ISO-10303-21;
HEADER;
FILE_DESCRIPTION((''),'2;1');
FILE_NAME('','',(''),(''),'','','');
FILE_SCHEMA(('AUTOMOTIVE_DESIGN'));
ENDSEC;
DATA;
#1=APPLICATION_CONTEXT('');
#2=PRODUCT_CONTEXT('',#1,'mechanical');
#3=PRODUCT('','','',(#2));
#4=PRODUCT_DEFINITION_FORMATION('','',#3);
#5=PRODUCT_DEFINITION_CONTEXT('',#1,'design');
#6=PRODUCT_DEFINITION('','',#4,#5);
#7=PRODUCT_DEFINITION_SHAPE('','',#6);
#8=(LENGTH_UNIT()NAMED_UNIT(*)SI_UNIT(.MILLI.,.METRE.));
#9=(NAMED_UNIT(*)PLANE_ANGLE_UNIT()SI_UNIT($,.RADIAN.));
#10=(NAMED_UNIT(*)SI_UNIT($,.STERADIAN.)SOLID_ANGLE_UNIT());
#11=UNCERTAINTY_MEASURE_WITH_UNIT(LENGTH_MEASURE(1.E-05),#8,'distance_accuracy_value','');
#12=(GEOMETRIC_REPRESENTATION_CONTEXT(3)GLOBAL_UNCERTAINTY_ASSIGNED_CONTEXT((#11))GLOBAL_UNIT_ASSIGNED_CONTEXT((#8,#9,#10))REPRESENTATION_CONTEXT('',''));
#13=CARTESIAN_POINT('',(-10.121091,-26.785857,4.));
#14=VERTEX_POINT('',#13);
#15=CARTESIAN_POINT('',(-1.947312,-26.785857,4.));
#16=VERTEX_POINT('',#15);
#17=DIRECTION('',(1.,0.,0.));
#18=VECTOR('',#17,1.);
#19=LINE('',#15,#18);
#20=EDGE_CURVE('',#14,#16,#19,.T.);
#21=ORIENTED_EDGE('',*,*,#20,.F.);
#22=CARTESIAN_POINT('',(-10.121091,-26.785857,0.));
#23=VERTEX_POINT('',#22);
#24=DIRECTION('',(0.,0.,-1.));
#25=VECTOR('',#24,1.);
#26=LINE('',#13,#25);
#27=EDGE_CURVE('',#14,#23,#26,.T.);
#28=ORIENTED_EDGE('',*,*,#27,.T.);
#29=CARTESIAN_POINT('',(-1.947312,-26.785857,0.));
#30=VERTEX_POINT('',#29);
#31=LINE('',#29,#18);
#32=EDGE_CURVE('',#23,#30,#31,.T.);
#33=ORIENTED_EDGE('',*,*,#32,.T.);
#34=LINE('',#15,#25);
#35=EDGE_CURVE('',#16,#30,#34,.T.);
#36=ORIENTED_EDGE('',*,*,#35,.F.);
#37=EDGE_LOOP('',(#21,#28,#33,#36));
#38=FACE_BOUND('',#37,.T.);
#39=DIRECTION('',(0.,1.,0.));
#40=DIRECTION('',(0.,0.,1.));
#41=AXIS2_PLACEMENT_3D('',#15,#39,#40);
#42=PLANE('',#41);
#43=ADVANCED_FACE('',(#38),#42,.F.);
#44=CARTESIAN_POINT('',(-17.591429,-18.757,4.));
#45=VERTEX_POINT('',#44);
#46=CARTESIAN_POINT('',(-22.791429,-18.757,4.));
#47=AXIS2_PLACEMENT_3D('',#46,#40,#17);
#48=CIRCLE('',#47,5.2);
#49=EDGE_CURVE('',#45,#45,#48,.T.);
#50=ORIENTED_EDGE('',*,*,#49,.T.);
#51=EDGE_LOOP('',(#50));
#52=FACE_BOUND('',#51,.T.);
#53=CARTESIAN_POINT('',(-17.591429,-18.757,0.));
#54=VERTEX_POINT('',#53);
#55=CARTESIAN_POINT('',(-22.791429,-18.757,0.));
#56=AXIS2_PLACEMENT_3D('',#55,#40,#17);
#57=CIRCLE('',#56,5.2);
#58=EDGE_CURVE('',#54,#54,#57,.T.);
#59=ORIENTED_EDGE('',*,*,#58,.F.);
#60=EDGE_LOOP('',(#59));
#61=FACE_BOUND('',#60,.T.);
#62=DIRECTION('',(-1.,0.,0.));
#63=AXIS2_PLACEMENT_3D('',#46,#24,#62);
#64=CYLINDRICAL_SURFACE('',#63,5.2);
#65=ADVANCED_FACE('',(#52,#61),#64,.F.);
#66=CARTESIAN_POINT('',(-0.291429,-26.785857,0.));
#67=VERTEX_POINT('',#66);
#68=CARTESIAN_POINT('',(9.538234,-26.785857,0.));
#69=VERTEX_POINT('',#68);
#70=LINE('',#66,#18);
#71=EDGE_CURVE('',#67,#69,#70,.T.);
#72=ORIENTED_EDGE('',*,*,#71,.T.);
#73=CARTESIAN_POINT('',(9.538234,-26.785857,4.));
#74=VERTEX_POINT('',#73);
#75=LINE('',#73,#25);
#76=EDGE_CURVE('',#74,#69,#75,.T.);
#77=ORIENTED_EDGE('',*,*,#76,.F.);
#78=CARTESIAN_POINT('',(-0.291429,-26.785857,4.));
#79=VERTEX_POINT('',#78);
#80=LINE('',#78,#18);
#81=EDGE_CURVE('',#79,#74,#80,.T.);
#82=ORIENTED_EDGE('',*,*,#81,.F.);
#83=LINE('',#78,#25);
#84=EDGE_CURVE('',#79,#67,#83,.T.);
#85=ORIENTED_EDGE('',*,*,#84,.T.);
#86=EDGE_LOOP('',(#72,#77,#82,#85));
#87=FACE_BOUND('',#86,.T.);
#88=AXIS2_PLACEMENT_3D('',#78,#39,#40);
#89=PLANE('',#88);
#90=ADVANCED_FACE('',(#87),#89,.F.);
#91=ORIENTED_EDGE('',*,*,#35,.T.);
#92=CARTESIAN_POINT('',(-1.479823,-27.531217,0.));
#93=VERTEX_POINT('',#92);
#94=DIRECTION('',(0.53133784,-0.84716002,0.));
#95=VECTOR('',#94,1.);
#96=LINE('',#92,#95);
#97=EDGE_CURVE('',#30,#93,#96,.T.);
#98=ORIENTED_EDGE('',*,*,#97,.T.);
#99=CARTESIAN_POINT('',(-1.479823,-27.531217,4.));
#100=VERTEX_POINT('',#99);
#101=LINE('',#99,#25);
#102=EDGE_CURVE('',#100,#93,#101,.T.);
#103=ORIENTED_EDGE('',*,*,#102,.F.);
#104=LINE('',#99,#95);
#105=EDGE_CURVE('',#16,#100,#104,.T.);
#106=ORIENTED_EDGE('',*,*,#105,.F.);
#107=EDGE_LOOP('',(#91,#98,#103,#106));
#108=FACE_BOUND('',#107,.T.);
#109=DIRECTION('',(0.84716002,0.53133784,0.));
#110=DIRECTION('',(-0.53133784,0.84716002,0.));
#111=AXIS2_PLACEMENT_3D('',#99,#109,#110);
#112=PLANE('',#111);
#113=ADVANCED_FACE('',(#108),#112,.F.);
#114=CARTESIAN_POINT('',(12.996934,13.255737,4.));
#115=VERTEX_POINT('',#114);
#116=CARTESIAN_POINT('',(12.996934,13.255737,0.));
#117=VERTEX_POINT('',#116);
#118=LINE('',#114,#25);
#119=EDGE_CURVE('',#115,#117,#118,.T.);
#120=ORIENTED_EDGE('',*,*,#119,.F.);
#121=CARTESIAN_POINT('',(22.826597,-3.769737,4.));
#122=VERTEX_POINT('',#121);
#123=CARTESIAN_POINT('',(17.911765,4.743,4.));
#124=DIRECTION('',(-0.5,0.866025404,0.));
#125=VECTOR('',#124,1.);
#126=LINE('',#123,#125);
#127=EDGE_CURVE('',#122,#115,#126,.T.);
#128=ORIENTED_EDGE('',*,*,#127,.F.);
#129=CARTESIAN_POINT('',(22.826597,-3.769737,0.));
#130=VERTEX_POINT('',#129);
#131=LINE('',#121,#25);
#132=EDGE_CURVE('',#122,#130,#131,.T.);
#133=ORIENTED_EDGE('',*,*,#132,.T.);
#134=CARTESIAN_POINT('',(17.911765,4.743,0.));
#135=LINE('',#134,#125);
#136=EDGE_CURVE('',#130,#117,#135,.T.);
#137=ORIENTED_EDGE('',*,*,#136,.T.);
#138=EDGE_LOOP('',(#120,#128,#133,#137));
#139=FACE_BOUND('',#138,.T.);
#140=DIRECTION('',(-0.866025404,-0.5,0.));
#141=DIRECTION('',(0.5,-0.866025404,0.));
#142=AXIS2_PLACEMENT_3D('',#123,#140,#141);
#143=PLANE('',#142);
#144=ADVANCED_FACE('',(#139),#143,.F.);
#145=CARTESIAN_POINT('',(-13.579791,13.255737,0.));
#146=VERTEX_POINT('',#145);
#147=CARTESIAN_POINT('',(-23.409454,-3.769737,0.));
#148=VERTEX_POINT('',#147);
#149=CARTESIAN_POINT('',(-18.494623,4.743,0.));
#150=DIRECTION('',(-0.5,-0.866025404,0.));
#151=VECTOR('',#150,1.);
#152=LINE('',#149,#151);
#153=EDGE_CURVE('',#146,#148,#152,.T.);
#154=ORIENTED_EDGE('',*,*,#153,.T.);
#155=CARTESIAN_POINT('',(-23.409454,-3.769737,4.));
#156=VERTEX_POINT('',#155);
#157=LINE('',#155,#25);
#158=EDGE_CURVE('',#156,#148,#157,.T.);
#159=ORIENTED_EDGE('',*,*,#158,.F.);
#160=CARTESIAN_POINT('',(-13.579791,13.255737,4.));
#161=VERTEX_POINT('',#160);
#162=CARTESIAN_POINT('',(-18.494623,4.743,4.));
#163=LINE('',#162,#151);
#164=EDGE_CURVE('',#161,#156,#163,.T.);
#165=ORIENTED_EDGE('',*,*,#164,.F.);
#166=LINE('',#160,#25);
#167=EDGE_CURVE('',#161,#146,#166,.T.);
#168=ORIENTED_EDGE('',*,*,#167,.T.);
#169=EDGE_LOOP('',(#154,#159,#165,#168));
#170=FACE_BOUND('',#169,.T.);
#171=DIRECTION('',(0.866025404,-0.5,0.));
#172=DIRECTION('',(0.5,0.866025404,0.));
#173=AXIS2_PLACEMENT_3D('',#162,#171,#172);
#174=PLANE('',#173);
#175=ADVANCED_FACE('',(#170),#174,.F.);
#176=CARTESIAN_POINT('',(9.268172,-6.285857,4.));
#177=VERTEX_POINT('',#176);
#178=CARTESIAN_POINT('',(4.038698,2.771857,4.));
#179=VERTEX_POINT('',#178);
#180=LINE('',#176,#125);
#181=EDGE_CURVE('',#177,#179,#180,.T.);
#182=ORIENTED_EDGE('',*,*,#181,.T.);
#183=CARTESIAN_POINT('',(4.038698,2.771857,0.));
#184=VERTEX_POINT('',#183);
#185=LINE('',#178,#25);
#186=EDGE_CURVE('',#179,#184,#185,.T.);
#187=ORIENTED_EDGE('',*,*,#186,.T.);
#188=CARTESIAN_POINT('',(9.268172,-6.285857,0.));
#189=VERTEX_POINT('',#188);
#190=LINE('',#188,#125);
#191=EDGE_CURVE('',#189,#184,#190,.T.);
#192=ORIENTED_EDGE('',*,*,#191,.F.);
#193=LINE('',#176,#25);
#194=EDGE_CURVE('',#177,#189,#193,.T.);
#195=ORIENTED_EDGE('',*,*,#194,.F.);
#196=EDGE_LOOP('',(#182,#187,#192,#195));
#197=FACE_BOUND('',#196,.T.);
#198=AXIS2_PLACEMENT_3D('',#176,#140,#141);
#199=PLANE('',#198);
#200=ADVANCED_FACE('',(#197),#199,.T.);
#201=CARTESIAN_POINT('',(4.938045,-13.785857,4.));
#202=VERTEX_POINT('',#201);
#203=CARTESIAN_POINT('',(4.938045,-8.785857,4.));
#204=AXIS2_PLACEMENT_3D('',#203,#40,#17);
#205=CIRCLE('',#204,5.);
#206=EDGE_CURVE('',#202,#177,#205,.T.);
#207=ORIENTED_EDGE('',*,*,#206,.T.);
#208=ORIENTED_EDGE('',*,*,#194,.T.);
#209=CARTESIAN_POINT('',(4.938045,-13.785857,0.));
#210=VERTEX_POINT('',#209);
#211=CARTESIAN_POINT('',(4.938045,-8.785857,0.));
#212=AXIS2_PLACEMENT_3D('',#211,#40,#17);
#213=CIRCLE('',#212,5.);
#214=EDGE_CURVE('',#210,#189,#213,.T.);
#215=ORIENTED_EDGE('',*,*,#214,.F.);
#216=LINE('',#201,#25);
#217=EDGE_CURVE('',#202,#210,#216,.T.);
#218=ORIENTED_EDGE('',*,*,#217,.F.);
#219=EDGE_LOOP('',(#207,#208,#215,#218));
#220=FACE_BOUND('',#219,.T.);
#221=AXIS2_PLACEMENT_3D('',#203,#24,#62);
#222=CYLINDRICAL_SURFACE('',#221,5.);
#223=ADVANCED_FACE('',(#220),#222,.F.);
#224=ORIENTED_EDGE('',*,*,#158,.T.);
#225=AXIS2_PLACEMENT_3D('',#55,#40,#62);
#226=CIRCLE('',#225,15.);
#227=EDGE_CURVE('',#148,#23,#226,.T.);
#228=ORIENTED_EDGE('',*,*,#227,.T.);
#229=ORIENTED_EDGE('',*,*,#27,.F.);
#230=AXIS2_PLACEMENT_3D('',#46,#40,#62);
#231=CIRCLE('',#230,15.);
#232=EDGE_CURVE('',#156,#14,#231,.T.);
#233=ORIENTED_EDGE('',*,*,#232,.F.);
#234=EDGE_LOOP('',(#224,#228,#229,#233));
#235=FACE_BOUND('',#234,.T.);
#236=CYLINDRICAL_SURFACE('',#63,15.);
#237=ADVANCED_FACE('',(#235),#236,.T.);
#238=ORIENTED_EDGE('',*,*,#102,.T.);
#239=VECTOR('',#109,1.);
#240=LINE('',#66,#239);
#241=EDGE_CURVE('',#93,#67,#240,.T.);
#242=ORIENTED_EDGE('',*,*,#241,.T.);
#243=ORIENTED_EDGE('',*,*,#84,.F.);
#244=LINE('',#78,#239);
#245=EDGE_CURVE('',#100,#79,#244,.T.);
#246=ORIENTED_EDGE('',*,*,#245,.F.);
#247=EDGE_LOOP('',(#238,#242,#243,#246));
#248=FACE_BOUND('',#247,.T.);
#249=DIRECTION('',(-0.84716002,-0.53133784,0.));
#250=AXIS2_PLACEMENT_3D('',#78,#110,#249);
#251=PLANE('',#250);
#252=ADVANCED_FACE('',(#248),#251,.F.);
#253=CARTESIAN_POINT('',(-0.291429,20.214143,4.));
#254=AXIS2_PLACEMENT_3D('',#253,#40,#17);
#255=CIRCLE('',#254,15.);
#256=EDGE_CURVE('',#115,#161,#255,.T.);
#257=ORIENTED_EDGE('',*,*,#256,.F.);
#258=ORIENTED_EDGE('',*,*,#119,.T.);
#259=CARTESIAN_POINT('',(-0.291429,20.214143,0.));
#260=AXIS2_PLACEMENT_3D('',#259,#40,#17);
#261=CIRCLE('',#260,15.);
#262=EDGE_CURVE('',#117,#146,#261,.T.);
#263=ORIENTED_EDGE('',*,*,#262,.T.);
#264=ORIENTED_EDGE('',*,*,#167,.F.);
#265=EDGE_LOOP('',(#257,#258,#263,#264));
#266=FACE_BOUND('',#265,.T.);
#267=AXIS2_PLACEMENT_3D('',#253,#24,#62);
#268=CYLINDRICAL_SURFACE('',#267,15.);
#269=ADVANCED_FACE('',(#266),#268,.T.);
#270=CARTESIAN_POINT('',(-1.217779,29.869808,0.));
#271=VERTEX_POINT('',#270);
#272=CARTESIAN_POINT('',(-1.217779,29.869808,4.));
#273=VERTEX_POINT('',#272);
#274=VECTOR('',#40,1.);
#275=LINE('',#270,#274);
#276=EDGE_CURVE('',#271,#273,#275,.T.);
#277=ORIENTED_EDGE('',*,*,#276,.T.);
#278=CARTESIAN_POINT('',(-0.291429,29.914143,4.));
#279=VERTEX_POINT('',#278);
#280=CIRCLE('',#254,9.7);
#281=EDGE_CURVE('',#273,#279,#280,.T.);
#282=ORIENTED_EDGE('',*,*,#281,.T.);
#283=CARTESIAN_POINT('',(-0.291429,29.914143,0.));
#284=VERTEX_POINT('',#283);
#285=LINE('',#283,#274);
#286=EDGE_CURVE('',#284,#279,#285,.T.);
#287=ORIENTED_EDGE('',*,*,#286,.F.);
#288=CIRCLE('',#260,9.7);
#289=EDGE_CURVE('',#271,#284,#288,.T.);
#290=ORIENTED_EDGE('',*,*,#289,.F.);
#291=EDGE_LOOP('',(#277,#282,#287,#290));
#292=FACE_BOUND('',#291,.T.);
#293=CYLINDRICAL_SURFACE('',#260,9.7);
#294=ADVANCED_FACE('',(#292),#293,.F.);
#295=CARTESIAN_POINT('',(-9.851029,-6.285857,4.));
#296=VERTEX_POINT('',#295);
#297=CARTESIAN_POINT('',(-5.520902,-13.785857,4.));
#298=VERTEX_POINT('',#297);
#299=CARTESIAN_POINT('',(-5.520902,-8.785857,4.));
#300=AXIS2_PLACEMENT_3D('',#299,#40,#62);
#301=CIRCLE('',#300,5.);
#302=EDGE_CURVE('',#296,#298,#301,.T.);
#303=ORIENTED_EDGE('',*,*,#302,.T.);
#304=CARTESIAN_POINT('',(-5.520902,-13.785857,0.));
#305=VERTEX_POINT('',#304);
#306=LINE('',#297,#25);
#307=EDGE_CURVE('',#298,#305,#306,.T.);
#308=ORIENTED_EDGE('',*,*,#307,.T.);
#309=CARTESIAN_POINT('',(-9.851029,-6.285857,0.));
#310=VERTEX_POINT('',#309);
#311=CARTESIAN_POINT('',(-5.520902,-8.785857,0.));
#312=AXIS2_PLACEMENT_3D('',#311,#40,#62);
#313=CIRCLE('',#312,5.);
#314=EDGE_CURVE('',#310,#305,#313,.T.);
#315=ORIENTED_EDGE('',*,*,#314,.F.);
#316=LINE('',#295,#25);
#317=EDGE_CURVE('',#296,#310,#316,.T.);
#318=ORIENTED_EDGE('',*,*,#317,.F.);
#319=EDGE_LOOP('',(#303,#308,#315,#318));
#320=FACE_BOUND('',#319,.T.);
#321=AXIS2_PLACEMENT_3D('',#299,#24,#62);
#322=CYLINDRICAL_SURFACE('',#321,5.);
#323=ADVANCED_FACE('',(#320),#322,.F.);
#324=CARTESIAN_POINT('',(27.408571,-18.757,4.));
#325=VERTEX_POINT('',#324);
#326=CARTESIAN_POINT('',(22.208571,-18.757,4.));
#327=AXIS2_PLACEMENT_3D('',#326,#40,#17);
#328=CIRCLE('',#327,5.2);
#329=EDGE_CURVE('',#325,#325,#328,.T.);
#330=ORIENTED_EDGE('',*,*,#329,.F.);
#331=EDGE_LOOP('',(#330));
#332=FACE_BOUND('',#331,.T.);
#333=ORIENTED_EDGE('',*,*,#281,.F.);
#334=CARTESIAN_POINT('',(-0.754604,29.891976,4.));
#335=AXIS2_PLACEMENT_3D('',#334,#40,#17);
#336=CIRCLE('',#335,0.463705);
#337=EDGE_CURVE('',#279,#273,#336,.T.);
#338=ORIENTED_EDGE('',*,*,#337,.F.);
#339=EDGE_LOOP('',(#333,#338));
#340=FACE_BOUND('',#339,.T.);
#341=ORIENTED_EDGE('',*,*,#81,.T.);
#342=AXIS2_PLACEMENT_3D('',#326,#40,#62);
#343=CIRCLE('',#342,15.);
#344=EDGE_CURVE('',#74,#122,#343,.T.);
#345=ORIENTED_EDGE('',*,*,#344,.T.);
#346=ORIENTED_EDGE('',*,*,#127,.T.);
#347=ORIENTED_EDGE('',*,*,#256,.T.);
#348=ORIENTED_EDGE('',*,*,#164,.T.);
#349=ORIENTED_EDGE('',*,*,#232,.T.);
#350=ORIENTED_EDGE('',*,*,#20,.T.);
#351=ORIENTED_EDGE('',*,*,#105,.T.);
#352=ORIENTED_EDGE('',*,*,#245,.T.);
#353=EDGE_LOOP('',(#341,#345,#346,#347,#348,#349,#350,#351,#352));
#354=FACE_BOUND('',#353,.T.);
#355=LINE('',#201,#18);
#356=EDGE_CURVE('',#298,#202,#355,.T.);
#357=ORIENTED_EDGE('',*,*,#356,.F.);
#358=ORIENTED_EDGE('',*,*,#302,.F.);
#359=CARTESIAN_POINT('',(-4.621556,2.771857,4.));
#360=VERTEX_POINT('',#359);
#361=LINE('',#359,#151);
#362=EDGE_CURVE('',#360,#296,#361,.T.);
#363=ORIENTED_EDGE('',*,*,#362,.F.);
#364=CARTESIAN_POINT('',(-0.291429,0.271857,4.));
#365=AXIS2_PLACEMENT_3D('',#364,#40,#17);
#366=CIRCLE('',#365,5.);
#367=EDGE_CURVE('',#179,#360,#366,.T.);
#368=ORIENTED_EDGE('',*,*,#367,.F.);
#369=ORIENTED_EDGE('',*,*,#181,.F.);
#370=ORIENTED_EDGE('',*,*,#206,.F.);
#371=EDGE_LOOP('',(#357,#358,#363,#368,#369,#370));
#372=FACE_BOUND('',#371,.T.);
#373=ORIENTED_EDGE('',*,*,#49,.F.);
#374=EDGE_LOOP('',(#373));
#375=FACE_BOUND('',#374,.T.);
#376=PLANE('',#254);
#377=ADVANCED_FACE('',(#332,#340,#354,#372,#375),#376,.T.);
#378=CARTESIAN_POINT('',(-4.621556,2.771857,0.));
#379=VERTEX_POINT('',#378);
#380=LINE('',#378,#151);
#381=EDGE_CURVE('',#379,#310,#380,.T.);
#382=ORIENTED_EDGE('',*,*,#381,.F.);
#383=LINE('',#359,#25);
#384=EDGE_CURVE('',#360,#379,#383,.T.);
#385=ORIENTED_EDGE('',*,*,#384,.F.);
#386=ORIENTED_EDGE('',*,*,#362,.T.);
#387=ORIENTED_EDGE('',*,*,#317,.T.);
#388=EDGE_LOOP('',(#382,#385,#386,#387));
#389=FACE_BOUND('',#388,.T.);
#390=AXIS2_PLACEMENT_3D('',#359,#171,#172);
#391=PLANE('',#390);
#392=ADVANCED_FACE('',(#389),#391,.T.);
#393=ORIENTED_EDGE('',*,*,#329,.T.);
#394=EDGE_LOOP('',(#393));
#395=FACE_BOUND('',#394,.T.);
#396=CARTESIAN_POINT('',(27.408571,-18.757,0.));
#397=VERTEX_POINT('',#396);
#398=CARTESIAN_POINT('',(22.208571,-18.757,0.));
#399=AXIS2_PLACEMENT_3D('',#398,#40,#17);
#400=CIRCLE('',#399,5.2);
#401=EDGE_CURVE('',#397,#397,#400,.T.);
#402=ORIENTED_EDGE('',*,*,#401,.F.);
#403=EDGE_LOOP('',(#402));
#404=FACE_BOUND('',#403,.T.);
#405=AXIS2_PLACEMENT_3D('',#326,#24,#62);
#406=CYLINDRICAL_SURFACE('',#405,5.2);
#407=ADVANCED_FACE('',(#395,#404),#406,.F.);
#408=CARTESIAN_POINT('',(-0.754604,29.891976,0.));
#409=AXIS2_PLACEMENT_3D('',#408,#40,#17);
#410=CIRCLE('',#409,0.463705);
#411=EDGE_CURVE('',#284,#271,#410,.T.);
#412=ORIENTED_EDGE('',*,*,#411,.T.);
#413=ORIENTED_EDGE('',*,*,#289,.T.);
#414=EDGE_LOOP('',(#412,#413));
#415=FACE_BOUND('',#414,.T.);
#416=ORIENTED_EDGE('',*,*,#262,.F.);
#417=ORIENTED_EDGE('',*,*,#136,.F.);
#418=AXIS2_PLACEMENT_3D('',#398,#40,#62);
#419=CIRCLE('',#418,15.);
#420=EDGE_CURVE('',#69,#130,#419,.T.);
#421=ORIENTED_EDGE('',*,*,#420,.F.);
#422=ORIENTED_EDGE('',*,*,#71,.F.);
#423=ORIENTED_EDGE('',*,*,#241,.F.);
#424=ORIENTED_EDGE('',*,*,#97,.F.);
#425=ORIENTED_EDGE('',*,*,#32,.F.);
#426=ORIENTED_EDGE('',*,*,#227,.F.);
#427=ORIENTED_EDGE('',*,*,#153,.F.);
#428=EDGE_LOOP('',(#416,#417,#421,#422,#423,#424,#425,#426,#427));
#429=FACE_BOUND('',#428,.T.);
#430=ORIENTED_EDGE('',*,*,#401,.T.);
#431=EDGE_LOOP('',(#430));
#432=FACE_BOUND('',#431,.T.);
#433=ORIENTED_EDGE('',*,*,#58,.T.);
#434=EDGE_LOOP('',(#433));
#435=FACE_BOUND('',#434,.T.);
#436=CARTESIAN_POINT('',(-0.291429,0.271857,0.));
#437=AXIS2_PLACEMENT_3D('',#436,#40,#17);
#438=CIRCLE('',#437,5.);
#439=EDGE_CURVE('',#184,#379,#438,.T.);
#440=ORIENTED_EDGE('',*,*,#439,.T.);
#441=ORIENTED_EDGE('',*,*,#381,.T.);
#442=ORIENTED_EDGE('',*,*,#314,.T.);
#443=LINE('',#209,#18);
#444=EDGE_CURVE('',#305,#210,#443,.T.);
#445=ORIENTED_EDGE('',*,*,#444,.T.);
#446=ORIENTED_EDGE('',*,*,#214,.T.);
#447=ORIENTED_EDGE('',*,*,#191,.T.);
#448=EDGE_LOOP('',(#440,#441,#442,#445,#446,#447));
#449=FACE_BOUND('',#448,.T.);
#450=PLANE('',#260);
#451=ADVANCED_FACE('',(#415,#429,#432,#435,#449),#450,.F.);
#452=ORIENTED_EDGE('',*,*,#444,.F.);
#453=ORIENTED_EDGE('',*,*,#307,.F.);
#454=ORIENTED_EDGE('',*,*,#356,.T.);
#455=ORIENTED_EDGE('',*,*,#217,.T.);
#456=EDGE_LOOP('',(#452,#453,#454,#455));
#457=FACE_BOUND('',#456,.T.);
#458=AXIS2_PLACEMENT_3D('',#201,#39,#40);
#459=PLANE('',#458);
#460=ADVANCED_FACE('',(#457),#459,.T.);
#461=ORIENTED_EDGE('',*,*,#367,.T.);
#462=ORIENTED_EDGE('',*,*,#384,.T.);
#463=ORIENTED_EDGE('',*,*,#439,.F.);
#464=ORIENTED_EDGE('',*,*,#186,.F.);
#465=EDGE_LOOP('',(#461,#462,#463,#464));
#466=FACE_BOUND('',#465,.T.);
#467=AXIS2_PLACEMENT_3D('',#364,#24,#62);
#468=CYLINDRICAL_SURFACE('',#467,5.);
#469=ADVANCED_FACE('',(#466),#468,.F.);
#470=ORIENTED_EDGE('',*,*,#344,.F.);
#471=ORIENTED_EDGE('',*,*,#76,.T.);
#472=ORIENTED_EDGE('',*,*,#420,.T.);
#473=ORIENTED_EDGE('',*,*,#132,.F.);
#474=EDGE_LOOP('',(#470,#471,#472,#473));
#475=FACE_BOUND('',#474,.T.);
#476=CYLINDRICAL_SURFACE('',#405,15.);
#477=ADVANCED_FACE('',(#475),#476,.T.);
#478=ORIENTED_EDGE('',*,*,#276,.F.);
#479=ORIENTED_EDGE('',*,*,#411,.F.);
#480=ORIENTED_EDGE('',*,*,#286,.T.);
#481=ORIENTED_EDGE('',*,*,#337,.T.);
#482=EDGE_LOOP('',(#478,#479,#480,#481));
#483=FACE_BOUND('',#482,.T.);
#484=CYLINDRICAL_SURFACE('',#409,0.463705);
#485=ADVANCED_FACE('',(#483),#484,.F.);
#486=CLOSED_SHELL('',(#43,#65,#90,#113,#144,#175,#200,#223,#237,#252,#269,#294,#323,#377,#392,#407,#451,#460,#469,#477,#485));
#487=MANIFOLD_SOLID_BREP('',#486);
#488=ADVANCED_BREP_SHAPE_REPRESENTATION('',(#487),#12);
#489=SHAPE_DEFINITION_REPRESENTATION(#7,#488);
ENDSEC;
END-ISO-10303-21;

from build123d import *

# Parameters (mm, degrees)
SKETCH_1_R          = 5.2
EXTRUDE_1_DEPTH     = 4
CUT_EXTRUDE_1_DEPTH = 4


with BuildPart() as part:
    # 草图1 → 凸台-拉伸1 (new body)
    with BuildSketch(Plane.XY):
        with BuildLine():
            Line((-18.494622549, 4.742999843), (-23.409453688, -3.769737399))
            ThreePointArc((-23.409453688, -3.769737399), (-35.781809628, -26.257000157), (-10.121090849, -26.785856986))
            Line((-10.121090849, -26.785856986), (-1.94731163, -26.785856986))
            Line((-1.94731163, -26.785856986), (-1.47982289, -27.531216606))
            Line((-1.47982289, -27.531216606), (-0.291428571, -26.785856986))
            Line((-0.291428571, -26.785856986), (9.538233706, -26.785856986))
            ThreePointArc((9.538233706, -26.785856986), (35.198952485, -26.257000157), (22.826596545, -3.769737399))
            Line((22.826596545, -3.769737399), (17.911765406, 4.742999843))
            Line((17.911765406, 4.742999843), (12.996934268, 13.255737086))
            ThreePointArc((12.996934268, 13.255737086), (-0.291428571, 35.214143014), (-13.579791411, 13.255737086))
            Line((-13.579791411, 13.255737086), (-18.494622549, 4.742999843))
        make_face()
        with Locations((-0.291428571, 20.214143014)):
            Circle(SKETCH_1_R, mode=Mode.SUBTRACT)
        with Locations((22.208571429, -18.757000157)):
            Circle(SKETCH_1_R, mode=Mode.SUBTRACT)
        with Locations((-22.791428571, -18.757000157)):
            Circle(SKETCH_1_R, mode=Mode.SUBTRACT)
        with BuildLine():
            Line((9.268171867, -6.285856986), (4.038698447, 2.771856673))
            ThreePointArc((4.038698447, 2.771856673), (-0.291428571, 5.271856673), (-4.62155559, 2.771856673))
            Line((-4.62155559, 2.771856673), (-9.85102901, -6.285856986))
            ThreePointArc((-9.85102901, -6.285856986), (-9.85102901, -11.285856986), (-5.520901991, -13.785856986))
            Line((-5.520901991, -13.785856986), (4.938044848, -13.785856986))
            ThreePointArc((4.938044848, -13.785856986), (9.268171867, -11.285856986), (9.268171867, -6.285856986))
        make_face(mode=Mode.SUBTRACT)
    extrude(amount=EXTRUDE_1_DEPTH)

    # 草图2 → 切除-拉伸1 (cut)
    with BuildSketch(Plane.XY.offset(4)):
        with BuildLine():
            ThreePointArc((-0.291428571, 29.914143014), (-0.77677081, 30.355150727), (-1.217778524, 29.869808489))
            ThreePointArc((-1.217778524, 29.869808489), (0.172276557, 10.525232985), (-0.291428571, 29.914143014))
        make_face()
    extrude(amount=-CUT_EXTRUDE_1_DEPTH, mode=Mode.SUBTRACT)


solid = part.part
